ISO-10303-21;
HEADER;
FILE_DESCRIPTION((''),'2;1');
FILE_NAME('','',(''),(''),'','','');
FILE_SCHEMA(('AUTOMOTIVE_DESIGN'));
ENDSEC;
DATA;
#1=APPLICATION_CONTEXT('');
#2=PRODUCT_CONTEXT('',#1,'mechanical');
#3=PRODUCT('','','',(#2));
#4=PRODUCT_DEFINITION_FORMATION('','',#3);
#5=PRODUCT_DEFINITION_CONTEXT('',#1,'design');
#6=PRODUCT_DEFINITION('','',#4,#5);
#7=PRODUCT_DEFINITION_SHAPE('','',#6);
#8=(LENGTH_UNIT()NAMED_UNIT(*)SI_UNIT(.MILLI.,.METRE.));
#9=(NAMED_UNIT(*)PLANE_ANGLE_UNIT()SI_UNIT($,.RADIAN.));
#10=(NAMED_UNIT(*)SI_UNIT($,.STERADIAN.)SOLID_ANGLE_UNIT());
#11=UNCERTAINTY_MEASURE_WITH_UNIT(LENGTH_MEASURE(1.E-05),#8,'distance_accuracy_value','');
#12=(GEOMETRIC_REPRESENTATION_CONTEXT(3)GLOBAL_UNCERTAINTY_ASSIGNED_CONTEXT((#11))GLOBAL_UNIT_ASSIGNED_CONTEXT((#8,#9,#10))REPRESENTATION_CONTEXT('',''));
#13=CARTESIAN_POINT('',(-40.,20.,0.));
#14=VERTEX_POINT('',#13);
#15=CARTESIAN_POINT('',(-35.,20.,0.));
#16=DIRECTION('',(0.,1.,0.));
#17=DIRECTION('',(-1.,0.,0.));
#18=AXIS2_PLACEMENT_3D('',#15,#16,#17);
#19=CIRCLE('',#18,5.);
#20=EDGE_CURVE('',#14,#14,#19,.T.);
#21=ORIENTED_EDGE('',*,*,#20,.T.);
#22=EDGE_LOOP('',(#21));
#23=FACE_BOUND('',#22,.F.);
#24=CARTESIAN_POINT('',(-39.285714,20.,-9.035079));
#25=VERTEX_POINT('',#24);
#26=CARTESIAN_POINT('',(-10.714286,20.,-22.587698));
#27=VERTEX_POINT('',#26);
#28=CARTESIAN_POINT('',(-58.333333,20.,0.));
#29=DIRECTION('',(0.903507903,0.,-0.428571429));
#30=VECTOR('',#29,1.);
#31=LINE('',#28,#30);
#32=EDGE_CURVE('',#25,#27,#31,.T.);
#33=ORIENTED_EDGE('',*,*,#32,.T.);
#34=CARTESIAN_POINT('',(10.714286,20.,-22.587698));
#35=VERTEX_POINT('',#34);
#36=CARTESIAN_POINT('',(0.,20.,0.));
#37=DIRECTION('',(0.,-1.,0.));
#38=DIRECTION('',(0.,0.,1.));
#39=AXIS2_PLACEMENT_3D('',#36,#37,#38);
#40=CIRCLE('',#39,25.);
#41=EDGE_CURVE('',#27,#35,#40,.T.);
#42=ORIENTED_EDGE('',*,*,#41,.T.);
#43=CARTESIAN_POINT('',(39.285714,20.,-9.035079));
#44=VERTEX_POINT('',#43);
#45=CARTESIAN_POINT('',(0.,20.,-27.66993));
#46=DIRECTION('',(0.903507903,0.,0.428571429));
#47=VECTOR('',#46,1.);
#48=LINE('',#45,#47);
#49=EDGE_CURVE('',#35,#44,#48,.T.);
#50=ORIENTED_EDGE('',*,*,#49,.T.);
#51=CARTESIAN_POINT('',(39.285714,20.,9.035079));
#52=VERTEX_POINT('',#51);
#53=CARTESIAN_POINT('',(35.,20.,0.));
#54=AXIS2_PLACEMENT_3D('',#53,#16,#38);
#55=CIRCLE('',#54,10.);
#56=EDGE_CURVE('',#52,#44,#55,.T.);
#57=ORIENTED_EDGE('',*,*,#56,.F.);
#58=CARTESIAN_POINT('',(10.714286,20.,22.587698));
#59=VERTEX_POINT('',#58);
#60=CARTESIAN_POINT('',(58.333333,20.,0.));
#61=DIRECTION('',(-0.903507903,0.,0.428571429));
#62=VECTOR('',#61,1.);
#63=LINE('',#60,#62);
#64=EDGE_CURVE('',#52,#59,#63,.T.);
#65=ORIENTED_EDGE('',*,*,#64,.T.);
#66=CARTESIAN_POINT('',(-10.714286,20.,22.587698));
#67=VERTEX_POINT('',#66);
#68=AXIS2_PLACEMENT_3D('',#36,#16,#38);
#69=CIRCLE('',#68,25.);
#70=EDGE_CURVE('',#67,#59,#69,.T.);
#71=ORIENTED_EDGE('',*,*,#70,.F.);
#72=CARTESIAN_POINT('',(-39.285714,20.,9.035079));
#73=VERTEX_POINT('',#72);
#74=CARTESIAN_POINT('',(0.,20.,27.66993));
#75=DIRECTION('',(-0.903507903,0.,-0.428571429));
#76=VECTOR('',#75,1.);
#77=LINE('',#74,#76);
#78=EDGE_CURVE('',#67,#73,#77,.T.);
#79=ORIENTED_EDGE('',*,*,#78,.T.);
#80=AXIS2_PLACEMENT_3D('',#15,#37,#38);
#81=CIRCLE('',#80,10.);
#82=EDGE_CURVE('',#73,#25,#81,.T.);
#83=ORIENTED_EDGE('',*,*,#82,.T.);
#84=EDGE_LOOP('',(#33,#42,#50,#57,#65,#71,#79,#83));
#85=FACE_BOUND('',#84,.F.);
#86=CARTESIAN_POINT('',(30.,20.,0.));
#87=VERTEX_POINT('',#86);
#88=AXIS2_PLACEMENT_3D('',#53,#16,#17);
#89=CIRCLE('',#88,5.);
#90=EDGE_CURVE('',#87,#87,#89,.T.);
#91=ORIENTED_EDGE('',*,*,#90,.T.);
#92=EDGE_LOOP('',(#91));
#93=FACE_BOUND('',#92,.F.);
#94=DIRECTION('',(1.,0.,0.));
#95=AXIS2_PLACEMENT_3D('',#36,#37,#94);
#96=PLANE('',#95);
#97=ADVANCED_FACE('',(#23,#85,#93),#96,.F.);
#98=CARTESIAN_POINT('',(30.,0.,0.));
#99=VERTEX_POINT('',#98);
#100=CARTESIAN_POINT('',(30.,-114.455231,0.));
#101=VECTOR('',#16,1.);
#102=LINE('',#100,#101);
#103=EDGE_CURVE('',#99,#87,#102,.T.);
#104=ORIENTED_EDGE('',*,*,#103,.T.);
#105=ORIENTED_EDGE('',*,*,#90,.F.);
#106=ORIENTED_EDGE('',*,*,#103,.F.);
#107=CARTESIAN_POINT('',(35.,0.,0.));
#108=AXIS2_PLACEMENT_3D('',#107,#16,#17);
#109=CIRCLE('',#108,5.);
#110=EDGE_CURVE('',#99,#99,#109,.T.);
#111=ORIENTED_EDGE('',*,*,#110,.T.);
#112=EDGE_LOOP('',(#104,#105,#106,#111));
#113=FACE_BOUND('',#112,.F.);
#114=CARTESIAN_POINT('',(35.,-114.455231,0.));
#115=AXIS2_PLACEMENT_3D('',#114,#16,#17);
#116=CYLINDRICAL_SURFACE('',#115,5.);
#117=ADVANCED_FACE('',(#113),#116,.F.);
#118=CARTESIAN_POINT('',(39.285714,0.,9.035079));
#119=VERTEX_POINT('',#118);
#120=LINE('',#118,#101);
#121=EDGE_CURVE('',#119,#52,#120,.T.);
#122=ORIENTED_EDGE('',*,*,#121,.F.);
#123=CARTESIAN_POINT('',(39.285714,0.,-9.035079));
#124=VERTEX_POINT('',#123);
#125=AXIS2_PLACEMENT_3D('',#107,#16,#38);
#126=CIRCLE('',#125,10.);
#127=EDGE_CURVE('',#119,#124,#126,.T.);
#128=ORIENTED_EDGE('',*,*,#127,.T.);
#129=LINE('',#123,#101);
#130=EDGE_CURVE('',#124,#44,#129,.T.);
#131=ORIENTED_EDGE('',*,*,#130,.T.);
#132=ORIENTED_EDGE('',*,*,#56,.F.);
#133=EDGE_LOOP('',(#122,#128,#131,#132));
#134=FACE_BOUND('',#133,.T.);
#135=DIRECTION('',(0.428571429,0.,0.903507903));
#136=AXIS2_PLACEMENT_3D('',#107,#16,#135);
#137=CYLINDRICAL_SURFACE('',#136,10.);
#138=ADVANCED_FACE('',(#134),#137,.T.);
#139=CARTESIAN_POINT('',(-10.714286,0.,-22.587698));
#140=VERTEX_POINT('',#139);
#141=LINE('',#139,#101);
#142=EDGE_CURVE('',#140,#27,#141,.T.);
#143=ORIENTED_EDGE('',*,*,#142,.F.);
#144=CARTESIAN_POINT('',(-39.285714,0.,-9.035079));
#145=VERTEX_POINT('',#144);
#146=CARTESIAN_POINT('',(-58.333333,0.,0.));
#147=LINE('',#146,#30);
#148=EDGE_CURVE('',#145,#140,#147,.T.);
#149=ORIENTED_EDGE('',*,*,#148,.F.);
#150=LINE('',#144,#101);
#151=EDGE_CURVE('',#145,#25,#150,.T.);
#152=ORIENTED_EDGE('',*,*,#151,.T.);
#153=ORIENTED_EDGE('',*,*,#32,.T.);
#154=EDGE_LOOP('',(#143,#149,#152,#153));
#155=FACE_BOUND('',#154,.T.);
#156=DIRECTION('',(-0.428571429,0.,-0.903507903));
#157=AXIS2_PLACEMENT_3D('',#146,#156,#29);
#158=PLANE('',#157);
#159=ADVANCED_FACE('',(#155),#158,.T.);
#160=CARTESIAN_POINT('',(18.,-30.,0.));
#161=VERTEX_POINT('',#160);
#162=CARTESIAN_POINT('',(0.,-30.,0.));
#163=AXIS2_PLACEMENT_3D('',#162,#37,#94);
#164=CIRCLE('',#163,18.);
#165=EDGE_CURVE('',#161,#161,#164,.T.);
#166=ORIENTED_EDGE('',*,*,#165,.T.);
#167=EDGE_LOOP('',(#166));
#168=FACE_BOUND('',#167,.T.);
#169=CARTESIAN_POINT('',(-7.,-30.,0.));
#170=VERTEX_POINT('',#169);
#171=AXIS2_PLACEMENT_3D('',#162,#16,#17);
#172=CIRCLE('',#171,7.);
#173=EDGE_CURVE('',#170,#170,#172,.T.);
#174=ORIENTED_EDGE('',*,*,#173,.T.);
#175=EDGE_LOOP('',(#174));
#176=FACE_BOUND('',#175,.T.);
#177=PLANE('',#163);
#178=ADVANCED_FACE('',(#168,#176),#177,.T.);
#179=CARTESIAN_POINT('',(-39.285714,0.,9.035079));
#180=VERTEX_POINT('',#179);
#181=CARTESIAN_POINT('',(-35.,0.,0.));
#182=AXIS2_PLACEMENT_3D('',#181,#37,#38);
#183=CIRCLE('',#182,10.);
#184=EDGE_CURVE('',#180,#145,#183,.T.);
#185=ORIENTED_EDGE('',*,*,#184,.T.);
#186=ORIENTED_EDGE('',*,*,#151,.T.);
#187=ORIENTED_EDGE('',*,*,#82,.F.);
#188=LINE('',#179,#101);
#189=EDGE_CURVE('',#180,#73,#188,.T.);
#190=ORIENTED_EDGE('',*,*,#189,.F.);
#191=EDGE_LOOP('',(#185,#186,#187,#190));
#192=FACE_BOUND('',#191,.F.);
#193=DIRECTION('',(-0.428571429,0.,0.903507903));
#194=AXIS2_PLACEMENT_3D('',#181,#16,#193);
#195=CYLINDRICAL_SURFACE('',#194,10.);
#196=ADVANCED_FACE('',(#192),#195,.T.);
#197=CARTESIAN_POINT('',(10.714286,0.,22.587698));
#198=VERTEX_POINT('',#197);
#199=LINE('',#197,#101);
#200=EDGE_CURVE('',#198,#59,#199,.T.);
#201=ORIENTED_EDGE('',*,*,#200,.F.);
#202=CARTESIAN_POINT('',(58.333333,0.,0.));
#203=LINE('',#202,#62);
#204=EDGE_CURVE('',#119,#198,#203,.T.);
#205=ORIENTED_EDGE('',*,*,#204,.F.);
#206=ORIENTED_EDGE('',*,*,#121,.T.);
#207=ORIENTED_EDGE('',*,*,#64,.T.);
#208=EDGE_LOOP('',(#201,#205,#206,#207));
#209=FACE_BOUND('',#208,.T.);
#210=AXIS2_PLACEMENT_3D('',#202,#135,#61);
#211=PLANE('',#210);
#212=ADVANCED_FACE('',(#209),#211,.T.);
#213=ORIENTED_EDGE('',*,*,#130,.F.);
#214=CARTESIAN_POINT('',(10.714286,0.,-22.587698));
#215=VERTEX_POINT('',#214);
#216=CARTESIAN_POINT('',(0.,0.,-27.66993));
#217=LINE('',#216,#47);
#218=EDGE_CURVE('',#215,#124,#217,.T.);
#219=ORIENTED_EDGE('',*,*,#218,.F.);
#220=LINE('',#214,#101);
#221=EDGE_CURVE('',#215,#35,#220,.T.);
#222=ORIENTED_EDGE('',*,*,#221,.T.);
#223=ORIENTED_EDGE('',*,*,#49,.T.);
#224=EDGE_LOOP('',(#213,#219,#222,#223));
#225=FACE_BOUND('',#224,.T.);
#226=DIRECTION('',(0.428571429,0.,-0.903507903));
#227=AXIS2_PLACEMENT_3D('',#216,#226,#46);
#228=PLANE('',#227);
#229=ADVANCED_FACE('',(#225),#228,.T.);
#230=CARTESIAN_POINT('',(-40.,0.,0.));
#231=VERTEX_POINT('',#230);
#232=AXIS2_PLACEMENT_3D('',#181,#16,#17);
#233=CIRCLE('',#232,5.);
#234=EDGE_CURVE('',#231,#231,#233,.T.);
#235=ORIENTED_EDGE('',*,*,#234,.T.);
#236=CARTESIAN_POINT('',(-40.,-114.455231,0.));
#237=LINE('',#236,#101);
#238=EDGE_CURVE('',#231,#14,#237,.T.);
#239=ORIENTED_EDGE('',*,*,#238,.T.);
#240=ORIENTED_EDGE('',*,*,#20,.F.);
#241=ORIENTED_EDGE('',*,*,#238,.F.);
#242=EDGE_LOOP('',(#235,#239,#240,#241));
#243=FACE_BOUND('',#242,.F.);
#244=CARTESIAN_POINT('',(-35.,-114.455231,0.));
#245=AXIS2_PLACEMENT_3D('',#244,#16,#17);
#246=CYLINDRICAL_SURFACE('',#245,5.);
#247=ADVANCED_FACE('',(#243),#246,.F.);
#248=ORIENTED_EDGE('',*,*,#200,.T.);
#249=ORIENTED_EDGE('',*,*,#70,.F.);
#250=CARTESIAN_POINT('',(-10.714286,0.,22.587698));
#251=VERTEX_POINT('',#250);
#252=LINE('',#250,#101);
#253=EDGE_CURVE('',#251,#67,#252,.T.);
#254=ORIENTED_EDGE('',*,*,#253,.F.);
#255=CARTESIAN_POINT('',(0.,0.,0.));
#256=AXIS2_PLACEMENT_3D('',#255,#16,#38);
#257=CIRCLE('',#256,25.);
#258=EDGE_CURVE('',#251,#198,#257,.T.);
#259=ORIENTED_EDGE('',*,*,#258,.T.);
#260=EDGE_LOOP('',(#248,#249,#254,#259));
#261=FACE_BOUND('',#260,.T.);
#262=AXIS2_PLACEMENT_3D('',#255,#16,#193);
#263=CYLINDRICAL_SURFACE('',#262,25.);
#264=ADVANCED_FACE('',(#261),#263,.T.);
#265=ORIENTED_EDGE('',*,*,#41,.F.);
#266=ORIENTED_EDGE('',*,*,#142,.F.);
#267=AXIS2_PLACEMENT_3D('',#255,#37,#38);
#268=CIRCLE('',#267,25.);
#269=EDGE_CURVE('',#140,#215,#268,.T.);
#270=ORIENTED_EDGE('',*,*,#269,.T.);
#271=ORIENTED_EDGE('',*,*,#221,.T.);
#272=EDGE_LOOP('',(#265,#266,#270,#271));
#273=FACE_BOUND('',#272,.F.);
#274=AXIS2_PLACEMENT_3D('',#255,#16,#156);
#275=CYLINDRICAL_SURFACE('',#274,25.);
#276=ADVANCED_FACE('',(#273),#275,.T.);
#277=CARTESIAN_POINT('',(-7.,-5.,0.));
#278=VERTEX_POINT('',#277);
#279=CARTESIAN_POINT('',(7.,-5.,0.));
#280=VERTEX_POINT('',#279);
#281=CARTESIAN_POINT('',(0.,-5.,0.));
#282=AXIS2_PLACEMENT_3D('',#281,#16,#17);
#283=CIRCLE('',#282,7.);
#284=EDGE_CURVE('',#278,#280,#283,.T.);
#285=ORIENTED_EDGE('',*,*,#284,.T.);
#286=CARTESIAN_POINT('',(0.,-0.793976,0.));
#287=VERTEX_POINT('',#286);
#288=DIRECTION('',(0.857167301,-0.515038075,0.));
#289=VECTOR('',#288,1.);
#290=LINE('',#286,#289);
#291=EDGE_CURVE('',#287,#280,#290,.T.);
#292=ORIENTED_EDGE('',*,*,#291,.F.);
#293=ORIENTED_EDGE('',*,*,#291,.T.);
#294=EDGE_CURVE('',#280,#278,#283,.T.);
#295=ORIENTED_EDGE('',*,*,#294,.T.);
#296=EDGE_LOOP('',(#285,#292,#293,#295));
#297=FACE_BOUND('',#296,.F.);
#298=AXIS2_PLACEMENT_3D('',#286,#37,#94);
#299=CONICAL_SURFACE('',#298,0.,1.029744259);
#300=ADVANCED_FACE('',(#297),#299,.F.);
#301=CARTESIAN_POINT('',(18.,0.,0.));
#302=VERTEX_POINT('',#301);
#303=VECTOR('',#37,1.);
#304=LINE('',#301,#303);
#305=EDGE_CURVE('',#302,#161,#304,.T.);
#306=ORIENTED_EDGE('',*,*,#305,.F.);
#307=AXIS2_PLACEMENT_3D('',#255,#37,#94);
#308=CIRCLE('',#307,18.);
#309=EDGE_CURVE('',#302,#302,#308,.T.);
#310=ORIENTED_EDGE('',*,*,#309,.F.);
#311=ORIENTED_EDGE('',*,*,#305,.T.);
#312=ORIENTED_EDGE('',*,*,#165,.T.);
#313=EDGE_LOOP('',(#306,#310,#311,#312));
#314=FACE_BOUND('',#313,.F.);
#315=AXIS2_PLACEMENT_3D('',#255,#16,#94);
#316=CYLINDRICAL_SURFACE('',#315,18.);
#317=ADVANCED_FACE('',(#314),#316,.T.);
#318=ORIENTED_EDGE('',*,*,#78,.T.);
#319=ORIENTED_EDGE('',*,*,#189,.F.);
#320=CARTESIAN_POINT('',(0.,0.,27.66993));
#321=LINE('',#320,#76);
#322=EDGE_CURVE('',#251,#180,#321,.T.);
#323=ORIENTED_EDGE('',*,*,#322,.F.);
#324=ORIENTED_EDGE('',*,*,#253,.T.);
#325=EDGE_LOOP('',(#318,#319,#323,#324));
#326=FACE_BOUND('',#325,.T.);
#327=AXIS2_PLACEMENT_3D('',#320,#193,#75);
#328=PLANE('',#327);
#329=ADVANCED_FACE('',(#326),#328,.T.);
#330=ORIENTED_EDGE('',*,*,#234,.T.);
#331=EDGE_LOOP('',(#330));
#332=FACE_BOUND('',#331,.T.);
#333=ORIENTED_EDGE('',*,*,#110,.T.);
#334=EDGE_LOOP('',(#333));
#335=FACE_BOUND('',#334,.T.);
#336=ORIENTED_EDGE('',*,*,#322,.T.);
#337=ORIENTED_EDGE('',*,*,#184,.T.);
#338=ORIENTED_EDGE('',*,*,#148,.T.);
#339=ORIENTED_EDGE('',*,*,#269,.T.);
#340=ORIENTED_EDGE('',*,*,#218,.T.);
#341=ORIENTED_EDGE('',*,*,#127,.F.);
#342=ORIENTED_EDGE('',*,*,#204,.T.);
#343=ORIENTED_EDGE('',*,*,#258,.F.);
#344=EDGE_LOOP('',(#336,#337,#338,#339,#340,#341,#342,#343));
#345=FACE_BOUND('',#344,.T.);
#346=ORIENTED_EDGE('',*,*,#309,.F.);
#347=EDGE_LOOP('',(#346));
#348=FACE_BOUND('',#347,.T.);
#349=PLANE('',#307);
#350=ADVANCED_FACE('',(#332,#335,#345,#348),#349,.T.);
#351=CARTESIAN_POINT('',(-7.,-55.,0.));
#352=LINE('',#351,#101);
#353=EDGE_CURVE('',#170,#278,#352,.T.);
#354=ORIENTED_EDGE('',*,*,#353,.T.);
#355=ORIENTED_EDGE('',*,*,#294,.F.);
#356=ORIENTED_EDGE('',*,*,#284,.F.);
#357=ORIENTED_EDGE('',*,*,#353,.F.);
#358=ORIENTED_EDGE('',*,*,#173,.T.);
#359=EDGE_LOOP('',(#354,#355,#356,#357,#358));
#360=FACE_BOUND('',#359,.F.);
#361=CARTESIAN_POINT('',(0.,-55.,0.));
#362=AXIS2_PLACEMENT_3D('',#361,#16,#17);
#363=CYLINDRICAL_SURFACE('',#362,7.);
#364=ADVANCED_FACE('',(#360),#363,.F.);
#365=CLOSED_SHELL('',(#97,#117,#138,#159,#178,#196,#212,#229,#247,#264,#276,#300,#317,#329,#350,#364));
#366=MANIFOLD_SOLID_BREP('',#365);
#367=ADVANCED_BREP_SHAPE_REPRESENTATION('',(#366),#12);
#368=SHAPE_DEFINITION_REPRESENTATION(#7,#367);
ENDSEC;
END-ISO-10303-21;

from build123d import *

# Parameters (mm, degrees)
F1_DEPTH = 20
F2_R     = 25
F3_R     = 10
F4_R     = 18
F5_DEPTH = 30
F7_D     = 10
F8_D     = 14
F8_DEPTH = 25
F8_TIP   = 4.2060243332


with BuildPart() as f1:
    # F0 (on Front) → F1 (new body)
    with BuildSketch(Plane.XZ):
        Polygon((0, 27.6699295265), (-58.3333333333, 0), (0, -27.6699295265), (58.3333333333, 0), align=None)
    extrude(amount=-F1_DEPTH)

    # F2
    f2_edges = [f1.edges().sort_by_distance(p)[0] for p in [
        (0, 10, -27.66993),
        (0, 10, 27.66993),
    ]]
    fillet(f2_edges, radius=F2_R)

    # F3
    f3_edges = [f1.edges().sort_by_distance(p)[0] for p in [
        (-58.333333, 10, 0),
        (58.333333, 10, 0),
    ]]
    fillet(f3_edges, radius=F3_R)

    # F4 (on face) → F5 (join)
    with BuildSketch(Plane.XZ):
        Circle(F4_R)
    extrude(amount=F5_DEPTH)

    # F7 (through all)
    with Locations(Plane.XZ):
        with Locations((-35, 0), (35, 0)):
            Hole(F7_D / 2)

    # F8
    with Locations(Plane.XZ.offset(30)):
        with Locations((0, 0)):
            Hole(F8_D / 2, depth=F8_DEPTH)
            with Locations((0, 0, -(F8_DEPTH + F8_TIP / 2))):  # 118° drill point
                Cone(0, F8_D / 2, F8_TIP, mode=Mode.SUBTRACT)


solid = f1.part
